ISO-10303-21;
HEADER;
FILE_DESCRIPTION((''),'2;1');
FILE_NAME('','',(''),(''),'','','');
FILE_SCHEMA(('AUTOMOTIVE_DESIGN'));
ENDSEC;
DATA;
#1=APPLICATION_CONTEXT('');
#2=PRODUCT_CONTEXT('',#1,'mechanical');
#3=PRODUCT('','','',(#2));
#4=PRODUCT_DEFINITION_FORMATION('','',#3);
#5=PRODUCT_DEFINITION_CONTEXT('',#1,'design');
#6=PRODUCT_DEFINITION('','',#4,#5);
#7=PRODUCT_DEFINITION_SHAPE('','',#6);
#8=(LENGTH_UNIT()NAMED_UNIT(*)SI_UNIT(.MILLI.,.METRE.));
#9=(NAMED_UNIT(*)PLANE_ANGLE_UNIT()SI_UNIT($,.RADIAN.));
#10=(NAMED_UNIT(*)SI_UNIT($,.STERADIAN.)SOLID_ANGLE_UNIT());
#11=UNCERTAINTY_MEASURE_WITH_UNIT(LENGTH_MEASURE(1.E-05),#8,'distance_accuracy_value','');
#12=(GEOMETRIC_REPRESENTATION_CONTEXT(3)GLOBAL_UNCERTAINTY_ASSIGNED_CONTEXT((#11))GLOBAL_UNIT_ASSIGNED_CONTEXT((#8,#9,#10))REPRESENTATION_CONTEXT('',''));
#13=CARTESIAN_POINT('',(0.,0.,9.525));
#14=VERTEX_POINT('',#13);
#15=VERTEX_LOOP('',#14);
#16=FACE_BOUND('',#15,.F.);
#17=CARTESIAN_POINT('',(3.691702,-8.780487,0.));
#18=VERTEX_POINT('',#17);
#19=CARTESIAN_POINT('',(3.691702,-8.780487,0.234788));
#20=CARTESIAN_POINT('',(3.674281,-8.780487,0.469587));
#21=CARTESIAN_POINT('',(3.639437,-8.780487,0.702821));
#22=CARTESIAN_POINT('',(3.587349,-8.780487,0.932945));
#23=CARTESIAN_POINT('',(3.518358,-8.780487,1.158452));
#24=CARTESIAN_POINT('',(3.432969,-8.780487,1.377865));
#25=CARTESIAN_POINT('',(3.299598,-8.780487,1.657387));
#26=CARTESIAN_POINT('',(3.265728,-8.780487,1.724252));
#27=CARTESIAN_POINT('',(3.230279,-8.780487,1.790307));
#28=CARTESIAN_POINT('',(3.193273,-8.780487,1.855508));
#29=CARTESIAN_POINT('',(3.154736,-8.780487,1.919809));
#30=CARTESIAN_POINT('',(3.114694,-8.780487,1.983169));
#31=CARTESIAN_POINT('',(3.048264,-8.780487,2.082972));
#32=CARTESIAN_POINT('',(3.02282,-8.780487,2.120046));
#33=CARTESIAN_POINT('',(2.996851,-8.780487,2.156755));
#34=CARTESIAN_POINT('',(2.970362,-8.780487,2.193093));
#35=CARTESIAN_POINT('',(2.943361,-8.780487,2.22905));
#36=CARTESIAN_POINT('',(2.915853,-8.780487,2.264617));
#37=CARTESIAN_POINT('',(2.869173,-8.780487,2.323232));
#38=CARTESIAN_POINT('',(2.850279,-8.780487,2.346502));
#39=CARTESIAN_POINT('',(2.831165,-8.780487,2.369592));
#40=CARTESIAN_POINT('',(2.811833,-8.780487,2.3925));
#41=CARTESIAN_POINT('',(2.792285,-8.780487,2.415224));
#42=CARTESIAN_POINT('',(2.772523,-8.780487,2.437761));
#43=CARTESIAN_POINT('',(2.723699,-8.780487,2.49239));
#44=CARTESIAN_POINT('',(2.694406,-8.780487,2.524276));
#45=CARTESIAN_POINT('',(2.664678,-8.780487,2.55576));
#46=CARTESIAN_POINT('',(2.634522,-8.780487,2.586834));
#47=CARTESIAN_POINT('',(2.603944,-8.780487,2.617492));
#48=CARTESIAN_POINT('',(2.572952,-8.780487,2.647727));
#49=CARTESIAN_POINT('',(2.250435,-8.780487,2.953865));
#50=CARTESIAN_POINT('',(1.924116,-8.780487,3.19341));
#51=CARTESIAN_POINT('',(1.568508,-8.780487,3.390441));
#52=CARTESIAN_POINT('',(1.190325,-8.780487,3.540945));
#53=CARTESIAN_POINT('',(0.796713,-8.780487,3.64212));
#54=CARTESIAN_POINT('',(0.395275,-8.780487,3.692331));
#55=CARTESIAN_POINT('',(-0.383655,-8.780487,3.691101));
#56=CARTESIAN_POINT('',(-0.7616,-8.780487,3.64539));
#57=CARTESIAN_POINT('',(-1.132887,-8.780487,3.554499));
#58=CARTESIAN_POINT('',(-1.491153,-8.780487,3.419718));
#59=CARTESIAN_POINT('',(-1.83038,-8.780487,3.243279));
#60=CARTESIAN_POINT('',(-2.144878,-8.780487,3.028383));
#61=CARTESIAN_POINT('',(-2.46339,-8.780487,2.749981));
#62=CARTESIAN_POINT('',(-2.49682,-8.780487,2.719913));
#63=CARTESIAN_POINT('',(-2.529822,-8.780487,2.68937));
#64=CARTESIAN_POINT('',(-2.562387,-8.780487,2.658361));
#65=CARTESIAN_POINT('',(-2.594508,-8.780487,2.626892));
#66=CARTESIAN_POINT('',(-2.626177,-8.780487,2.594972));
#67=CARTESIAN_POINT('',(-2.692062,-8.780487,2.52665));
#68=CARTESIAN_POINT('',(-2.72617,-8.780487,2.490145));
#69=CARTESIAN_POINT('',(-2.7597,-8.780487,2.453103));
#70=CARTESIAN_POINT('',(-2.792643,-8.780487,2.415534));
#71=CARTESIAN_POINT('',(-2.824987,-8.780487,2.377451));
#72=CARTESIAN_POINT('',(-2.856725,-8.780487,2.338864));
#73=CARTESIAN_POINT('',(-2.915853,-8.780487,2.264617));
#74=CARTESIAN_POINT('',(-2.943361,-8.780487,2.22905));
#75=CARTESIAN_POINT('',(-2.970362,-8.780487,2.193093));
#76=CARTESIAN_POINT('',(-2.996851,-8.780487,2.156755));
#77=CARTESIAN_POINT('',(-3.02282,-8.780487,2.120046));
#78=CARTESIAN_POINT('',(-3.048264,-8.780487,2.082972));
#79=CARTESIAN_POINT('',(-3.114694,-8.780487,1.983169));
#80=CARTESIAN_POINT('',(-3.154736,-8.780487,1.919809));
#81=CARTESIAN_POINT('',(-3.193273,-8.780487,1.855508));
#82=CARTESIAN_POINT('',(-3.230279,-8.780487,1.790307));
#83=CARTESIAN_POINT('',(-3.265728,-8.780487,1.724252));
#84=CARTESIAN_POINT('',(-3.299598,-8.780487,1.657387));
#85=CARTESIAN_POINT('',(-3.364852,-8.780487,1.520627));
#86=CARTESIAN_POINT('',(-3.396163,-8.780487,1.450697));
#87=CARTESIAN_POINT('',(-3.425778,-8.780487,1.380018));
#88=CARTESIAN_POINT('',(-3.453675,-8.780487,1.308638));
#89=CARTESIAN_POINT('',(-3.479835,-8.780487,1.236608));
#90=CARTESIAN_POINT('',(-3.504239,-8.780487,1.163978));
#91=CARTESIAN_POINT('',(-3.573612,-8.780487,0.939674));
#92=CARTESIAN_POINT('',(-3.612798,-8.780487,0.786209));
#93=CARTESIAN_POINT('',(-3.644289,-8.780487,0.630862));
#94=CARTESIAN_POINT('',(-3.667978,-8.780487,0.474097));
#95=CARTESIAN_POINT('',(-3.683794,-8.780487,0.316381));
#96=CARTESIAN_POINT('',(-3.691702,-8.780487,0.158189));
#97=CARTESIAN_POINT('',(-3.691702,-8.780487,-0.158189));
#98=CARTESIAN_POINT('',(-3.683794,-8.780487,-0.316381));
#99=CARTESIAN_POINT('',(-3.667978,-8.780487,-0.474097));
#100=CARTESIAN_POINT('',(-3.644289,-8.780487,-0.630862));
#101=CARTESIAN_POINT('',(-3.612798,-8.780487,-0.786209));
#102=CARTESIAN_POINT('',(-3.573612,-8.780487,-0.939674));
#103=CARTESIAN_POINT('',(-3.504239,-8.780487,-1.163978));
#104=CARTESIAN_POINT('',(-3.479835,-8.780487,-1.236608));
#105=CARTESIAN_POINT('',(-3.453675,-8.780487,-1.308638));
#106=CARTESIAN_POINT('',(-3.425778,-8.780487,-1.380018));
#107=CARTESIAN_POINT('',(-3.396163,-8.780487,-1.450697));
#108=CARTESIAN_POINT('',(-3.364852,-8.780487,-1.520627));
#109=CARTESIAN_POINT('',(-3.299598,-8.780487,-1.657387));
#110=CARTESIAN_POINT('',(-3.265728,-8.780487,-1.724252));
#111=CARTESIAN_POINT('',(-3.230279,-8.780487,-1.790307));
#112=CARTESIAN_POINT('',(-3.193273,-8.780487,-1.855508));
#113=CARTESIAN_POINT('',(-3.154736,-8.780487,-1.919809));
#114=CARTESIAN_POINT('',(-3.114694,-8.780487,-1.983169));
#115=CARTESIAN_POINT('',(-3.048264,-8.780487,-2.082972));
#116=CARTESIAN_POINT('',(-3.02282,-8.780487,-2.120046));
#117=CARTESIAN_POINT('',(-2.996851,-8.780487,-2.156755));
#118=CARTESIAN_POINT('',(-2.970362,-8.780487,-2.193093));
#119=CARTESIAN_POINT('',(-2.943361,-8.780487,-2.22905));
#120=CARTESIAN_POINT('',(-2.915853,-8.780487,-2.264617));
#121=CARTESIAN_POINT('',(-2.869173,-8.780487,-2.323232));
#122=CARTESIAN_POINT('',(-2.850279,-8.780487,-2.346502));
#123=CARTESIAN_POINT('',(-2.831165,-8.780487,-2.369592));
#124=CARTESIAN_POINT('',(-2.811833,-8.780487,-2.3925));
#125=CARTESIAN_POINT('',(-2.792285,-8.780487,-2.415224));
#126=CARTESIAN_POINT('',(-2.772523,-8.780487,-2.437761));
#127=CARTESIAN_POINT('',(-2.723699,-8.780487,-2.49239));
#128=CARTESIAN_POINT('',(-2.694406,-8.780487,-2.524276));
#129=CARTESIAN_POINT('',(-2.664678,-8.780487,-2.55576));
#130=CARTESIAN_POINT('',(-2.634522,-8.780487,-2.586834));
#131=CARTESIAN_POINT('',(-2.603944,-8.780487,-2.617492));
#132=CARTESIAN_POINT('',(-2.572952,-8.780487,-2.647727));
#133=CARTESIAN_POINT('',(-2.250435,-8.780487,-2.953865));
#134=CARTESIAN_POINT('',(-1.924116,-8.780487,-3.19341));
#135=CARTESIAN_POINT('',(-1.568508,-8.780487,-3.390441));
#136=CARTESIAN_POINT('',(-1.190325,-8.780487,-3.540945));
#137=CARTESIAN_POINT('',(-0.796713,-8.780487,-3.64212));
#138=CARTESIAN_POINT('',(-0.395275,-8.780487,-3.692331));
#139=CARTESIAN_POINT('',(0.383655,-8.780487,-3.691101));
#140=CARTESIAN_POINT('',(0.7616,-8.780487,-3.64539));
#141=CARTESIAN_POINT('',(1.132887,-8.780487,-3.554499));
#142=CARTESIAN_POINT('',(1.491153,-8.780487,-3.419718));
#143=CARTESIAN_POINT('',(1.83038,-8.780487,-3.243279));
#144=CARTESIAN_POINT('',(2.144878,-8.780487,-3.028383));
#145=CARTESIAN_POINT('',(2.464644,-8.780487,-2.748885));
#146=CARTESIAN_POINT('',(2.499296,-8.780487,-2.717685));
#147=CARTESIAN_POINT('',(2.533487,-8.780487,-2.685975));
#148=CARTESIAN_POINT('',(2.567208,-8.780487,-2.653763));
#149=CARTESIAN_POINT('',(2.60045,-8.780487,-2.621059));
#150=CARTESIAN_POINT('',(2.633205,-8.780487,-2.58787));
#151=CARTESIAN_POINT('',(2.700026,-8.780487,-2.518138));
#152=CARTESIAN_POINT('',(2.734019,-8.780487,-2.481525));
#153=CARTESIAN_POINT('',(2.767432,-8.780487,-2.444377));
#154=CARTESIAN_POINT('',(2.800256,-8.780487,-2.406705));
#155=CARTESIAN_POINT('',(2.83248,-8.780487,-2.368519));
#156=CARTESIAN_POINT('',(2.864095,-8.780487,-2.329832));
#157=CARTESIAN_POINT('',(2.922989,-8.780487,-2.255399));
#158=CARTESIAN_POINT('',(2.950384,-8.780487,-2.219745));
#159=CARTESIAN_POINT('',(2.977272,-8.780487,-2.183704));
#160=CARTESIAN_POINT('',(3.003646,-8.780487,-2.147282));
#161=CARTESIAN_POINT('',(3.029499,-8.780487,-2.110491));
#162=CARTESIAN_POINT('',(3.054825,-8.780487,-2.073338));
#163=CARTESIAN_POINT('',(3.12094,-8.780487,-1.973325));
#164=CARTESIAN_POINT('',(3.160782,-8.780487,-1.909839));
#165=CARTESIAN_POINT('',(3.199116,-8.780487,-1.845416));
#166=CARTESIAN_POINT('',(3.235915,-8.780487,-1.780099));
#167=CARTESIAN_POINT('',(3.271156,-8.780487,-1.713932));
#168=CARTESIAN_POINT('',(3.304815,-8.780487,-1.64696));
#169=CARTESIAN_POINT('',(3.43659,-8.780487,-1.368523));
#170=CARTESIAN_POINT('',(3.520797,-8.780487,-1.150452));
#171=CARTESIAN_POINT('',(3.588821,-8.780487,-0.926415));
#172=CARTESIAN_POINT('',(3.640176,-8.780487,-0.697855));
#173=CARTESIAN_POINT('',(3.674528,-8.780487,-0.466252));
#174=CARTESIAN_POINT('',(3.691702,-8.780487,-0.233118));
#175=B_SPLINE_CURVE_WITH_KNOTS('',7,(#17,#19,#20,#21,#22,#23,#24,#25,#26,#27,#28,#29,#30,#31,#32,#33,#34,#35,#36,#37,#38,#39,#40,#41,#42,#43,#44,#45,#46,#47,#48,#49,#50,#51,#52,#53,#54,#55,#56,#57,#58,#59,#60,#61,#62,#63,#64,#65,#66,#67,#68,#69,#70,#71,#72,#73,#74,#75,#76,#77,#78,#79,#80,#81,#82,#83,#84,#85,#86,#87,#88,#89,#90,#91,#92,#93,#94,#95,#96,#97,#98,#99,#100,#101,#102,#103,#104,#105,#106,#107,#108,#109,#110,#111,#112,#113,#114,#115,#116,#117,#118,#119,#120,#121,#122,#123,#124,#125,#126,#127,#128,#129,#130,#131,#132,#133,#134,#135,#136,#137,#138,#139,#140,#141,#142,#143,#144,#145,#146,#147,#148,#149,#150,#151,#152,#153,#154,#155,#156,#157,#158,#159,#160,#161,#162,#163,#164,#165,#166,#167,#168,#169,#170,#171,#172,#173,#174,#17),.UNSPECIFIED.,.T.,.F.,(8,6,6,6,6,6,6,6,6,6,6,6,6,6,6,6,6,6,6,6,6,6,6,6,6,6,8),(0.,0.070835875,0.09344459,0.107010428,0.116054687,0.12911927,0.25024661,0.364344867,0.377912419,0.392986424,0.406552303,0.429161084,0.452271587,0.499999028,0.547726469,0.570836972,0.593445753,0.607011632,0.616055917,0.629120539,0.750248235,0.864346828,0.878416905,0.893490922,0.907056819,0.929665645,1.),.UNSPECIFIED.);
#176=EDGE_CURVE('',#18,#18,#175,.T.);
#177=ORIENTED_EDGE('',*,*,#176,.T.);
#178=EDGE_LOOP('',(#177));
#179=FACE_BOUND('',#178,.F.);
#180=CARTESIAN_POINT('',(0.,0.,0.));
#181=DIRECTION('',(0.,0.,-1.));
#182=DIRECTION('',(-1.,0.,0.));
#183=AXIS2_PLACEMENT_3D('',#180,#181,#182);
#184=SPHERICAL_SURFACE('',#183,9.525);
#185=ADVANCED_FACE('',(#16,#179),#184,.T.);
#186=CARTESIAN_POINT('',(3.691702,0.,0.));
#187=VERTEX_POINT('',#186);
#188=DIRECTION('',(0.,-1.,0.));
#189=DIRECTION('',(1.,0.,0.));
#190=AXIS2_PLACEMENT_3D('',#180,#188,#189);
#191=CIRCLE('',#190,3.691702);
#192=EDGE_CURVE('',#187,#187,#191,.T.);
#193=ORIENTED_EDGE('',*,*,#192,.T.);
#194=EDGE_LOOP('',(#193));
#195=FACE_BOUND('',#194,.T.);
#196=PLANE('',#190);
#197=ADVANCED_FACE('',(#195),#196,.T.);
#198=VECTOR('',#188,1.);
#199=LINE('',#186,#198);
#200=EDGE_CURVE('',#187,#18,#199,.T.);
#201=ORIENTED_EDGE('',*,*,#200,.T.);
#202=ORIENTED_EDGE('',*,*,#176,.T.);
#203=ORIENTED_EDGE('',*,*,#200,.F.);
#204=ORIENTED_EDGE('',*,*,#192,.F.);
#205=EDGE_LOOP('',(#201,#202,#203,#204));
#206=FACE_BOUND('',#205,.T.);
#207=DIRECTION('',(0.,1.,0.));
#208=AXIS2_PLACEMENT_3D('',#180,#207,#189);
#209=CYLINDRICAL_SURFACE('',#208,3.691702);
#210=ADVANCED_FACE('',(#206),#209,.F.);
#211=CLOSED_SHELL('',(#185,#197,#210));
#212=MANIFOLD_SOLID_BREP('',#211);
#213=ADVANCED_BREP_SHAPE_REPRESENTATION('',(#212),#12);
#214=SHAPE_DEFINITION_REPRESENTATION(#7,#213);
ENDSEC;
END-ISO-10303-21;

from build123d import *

# Parameters (mm, degrees)
F3_R     = 3.6917022886
F4_DEPTH = 25.4


with BuildPart() as f2:
    # F0 (on Front) → F2 (revolve)
    with BuildSketch(Plane.XZ):
        with BuildLine():
            Line((0, -9.525), (0, 9.525))
            ThreePointArc((0, 9.525), (-9.525, 0), (0, -9.525))
        make_face()
    revolve(axis=Axis((0, 0, 0), (0, 0, 1)))


with BuildPart() as f4:
    # F3 (on Front) → F4 (new body)
    with BuildSketch(Plane.XZ):
        Circle(F3_R)
    extrude(amount=F4_DEPTH)


with BuildPart() as f2_1:
    add(f2.part)

    # F5: cut F4
    add(f4.part, mode=Mode.SUBTRACT)


solid = f2_1.part
